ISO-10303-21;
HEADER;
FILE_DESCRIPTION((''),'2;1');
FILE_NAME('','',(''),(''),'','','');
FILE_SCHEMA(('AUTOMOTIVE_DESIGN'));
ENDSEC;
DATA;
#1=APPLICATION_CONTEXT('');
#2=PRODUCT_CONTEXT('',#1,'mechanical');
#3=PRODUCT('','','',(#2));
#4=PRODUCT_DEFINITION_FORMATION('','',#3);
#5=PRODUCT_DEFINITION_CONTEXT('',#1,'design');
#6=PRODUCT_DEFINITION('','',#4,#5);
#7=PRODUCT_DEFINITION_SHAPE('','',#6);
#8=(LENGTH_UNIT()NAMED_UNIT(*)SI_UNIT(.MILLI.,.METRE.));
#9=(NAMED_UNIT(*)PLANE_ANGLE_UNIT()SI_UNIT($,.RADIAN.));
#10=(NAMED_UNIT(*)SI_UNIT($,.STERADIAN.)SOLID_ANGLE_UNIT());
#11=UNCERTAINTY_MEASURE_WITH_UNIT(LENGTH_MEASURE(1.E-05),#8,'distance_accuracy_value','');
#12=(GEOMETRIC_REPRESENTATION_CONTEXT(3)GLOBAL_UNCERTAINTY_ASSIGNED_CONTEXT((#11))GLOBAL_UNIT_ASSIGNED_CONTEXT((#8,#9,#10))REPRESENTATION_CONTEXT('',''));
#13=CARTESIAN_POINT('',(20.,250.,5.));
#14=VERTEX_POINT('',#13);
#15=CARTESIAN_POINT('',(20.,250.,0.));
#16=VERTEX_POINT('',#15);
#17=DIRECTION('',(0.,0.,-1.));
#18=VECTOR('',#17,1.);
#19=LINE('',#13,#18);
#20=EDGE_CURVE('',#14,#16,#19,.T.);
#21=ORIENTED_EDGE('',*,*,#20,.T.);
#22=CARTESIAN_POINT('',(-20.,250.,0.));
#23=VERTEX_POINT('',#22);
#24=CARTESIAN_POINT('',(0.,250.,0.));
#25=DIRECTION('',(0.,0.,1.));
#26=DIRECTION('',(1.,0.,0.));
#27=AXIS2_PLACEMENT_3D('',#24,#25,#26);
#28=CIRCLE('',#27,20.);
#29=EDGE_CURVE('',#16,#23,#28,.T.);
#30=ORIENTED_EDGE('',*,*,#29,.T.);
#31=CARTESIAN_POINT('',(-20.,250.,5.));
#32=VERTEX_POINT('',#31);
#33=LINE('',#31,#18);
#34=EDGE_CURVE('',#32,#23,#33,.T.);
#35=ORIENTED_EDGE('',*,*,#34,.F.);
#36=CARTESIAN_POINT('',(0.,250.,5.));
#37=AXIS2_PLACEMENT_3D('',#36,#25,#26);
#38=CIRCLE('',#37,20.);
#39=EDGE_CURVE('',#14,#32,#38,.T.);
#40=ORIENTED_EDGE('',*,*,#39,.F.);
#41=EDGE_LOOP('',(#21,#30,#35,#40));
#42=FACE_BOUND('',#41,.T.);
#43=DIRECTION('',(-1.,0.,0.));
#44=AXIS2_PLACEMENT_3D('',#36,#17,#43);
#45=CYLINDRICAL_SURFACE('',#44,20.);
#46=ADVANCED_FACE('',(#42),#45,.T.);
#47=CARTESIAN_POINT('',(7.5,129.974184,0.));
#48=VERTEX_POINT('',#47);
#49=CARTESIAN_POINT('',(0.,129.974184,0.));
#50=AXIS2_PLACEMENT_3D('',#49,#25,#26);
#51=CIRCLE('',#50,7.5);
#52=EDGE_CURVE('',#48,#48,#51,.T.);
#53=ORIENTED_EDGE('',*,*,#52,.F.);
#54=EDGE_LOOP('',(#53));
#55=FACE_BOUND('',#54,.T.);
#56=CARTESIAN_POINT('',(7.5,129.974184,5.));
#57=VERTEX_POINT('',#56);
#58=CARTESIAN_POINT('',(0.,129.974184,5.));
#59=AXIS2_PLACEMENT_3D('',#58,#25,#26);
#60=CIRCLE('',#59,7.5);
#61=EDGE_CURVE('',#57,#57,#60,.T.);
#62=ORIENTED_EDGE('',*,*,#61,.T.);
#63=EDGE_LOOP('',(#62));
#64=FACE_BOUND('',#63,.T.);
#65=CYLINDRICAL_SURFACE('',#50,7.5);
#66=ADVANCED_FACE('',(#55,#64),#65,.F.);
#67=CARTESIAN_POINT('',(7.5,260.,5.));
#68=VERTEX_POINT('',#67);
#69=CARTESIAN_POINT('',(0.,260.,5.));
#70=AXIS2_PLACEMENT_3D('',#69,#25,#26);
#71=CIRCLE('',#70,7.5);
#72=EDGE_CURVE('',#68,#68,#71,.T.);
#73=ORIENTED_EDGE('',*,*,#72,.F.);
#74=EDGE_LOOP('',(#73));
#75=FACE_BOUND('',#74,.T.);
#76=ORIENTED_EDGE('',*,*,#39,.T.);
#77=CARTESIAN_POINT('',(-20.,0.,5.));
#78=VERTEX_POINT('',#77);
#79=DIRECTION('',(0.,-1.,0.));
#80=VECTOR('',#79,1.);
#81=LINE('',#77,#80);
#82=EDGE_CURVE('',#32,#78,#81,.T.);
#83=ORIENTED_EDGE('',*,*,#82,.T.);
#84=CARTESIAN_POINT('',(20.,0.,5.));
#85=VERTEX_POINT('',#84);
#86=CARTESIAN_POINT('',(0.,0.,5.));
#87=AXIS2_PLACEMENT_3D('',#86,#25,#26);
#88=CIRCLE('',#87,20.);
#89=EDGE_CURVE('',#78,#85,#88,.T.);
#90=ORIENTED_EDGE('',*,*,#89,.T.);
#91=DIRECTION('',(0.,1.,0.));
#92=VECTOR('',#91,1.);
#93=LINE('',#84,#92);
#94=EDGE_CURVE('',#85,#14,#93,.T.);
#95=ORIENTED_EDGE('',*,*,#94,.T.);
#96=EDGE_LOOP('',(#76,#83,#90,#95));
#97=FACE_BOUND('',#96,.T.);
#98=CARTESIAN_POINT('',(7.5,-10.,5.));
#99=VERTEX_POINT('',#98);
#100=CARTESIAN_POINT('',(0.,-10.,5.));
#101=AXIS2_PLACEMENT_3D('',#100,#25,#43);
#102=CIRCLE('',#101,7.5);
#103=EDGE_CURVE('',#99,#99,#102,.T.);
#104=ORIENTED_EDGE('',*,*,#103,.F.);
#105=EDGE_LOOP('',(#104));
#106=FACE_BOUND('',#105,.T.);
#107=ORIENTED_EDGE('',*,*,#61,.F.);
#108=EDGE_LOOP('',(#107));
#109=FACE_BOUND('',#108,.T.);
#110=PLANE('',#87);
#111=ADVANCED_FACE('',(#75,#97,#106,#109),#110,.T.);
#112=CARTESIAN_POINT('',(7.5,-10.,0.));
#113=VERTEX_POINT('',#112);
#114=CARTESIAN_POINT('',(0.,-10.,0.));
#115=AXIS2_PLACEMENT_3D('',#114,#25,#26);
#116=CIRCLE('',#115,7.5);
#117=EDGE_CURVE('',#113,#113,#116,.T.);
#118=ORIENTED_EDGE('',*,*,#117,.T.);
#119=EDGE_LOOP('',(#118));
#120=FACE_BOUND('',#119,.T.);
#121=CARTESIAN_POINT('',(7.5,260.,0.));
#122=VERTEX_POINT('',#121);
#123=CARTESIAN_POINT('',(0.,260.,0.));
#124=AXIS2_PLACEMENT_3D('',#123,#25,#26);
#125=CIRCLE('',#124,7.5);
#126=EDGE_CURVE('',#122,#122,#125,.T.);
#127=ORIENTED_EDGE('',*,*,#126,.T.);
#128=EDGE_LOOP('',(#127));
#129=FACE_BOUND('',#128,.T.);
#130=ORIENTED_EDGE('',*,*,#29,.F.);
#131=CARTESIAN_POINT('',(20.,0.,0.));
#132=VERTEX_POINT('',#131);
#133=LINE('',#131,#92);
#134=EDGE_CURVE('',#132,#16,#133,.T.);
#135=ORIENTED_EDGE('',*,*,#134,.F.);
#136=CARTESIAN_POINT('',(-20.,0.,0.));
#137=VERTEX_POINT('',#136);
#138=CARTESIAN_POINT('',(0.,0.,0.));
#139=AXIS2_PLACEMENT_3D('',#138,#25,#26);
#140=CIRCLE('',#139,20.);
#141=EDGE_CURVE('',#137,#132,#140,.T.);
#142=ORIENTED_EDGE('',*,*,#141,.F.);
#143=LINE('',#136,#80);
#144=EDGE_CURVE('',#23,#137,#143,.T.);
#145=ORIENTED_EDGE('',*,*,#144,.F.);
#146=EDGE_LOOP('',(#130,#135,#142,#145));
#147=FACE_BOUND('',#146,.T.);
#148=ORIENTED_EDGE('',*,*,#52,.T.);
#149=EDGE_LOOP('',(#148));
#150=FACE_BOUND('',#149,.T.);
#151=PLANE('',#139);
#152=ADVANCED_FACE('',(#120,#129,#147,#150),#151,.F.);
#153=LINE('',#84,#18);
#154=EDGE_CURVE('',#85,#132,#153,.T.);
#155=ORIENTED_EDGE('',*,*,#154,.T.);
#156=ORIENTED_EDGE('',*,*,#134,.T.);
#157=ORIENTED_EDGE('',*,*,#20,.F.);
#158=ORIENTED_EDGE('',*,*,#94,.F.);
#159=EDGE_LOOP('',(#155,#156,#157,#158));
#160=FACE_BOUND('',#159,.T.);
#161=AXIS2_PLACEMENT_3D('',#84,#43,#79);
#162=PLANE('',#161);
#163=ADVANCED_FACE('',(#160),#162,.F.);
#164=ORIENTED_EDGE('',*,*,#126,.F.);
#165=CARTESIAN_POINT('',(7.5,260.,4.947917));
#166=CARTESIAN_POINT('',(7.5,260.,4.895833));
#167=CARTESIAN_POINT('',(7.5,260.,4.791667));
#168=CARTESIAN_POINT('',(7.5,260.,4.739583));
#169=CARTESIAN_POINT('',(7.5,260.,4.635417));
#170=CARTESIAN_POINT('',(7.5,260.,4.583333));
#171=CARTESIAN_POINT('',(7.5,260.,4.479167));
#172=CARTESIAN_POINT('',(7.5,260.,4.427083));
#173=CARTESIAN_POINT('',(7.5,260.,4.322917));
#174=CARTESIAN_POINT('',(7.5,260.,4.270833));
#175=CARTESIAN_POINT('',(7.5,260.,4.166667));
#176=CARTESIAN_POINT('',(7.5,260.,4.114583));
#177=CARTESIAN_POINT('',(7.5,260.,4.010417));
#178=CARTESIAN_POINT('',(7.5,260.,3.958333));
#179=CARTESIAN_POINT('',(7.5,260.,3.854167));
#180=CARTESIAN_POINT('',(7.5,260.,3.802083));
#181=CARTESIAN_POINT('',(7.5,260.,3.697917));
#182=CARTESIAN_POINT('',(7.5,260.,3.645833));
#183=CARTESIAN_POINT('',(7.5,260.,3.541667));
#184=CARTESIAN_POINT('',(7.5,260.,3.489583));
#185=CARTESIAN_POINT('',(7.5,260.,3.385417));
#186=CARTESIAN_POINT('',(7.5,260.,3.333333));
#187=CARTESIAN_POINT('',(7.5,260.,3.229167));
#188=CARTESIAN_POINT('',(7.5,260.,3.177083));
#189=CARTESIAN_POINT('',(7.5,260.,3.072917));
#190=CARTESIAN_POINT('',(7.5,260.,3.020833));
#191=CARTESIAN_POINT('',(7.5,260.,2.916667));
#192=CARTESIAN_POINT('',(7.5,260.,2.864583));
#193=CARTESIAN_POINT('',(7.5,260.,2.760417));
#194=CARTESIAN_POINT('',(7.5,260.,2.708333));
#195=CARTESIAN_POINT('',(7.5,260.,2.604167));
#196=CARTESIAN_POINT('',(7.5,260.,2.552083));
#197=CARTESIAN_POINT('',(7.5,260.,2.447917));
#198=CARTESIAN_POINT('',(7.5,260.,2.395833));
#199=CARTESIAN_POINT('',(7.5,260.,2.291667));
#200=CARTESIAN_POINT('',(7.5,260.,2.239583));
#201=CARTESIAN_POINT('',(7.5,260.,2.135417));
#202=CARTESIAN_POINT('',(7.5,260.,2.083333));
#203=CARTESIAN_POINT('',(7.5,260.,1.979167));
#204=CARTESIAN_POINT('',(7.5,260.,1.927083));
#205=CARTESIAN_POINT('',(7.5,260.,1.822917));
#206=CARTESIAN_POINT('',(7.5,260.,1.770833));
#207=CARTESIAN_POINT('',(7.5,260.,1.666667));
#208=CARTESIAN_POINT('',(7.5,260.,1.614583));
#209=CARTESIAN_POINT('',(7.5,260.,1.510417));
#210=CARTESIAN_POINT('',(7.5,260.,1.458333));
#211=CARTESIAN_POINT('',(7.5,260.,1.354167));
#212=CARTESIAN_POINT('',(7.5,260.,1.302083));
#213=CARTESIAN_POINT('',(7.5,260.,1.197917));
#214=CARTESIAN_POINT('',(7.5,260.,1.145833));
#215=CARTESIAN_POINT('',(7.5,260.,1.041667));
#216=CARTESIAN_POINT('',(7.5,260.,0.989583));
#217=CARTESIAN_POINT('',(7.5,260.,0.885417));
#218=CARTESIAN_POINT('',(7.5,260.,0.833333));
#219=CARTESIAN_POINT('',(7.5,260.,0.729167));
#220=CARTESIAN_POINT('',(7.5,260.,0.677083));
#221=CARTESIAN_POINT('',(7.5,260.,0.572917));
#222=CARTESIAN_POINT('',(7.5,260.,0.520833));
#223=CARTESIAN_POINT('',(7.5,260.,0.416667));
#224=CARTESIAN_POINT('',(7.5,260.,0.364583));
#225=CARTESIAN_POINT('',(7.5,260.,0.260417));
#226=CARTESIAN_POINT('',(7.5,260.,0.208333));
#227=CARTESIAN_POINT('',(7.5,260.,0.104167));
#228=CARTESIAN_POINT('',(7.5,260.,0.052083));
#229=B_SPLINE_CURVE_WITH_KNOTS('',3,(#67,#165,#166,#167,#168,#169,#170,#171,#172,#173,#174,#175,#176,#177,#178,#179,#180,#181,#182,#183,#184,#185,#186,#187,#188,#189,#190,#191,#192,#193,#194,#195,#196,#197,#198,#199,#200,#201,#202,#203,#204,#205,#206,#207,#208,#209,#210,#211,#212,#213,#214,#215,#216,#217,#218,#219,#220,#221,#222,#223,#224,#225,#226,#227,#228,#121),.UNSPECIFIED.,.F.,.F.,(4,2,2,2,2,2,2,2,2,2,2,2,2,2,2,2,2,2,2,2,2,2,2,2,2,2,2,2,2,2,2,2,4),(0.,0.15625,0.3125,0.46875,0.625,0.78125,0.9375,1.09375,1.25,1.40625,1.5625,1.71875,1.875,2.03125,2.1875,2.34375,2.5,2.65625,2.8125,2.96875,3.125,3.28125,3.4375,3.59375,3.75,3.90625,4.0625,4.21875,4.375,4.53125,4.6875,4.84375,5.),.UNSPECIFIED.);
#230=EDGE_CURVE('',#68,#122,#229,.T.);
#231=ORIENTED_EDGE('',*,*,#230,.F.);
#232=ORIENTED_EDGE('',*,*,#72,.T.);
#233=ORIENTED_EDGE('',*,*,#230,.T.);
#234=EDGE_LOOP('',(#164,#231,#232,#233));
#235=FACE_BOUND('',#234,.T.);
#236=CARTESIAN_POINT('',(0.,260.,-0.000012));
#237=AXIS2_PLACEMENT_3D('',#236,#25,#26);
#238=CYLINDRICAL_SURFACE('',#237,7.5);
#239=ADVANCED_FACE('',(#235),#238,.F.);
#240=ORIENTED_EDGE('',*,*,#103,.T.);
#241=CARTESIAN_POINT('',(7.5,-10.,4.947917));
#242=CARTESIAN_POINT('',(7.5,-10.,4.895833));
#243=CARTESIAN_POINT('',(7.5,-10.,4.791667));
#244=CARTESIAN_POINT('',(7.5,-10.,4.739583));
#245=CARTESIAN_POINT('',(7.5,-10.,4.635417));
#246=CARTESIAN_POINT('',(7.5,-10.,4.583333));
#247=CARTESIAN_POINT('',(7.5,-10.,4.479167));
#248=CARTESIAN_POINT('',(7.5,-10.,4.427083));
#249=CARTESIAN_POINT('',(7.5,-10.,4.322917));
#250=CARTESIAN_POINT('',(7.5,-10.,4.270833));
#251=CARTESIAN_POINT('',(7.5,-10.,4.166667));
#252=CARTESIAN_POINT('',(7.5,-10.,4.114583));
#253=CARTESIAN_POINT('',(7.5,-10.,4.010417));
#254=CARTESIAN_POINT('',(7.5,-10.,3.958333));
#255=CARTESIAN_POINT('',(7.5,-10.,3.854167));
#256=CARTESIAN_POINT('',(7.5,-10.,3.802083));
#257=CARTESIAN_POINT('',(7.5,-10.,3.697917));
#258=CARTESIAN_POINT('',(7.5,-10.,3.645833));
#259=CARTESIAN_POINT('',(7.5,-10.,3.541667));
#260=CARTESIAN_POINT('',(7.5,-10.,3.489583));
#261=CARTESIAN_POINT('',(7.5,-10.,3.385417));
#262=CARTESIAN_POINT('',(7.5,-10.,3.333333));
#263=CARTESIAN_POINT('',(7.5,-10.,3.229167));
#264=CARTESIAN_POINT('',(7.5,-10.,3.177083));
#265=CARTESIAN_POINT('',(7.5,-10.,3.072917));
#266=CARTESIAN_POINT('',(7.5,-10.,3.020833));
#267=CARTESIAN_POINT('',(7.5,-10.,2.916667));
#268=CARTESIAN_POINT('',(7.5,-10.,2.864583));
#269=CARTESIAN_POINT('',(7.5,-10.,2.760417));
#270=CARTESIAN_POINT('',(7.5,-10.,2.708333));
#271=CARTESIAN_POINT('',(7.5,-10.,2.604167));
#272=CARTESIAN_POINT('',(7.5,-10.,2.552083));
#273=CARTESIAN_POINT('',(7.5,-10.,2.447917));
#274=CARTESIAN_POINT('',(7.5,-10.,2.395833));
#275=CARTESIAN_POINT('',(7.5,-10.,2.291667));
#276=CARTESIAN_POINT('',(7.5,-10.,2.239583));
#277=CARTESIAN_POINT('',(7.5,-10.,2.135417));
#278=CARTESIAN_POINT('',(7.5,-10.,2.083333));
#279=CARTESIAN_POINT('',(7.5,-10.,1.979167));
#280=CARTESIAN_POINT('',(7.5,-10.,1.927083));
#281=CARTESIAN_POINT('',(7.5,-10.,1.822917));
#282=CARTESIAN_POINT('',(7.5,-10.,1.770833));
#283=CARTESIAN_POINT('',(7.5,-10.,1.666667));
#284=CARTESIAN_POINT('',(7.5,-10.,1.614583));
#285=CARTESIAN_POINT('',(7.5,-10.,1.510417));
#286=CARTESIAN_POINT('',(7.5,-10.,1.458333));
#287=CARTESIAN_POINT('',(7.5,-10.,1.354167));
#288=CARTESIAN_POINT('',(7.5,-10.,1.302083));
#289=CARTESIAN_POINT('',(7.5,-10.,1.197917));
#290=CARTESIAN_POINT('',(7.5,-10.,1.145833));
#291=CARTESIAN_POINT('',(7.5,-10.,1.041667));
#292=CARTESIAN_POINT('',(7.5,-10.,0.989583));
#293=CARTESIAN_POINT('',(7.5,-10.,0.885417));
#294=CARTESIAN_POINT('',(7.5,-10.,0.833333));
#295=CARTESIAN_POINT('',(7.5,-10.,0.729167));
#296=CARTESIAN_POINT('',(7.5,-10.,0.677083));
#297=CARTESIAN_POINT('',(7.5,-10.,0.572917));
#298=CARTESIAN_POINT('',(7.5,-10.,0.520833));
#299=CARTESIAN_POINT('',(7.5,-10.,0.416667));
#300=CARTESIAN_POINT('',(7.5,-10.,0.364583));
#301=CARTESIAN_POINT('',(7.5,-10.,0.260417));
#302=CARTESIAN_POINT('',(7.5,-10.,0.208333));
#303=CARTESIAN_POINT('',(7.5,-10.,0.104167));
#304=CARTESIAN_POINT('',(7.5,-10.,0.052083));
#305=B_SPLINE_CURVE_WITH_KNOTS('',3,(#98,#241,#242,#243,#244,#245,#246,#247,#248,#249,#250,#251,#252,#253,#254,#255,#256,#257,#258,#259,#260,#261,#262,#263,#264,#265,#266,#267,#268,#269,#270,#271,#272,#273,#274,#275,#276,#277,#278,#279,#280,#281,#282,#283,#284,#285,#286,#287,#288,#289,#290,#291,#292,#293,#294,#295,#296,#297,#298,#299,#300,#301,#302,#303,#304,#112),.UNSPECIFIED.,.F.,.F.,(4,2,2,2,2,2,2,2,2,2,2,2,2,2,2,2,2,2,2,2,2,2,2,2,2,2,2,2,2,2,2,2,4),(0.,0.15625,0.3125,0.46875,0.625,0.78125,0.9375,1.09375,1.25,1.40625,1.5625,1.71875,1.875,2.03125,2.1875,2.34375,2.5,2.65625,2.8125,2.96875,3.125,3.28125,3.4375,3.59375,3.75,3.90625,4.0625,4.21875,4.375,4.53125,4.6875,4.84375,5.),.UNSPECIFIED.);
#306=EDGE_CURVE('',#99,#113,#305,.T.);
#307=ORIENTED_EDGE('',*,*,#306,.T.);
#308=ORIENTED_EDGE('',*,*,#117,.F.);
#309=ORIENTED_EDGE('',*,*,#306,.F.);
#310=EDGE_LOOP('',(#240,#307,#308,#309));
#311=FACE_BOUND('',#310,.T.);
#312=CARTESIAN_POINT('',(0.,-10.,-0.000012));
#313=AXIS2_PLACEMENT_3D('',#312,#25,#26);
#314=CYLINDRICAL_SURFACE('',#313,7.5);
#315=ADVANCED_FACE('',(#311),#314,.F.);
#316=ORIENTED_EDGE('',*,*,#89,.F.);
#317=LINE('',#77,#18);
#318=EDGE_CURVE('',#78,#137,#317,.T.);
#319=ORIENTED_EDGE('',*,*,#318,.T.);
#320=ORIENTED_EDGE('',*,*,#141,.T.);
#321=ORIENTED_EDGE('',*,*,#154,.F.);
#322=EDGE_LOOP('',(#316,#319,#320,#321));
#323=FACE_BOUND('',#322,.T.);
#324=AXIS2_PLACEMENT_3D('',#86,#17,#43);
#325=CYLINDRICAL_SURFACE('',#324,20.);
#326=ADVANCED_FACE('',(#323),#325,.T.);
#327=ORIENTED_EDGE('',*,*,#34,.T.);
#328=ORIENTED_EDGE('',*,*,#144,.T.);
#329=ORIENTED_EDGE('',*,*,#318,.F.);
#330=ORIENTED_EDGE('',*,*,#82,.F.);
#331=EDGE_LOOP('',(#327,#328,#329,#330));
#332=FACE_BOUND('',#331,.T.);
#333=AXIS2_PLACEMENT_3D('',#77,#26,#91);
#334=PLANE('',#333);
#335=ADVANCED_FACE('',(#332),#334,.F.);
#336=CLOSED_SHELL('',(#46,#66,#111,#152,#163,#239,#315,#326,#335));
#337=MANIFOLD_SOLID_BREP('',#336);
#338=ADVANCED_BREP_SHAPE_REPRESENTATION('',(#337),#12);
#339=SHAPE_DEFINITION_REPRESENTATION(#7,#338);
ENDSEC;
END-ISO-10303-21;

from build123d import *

# Parameters (mm, degrees)
BOSS_EXTRUDE1_DEPTH     = 5
CUT_EXTRUDE4_DEPTH      = 271.785893281
CUT_EXTRUDE4_DEPTH_BACK = 271.785893281
SKETCH3_R               = 7.5
CUT_EXTRUDE5_DEPTH      = 271.785893281
CUT_EXTRUDE5_DEPTH_BACK = 271.785893281
SKETCH5_R               = 7.5


with BuildPart() as part:
    # Sketch1 → Boss-Extrude1 (new body)
    with BuildSketch(Plane.XY):
        with BuildLine():
            Line((-20, 0), (-20, 250))
            ThreePointArc((-20, 250), (0, 270), (20, 250))
            Line((20, 250), (20, 0))
            ThreePointArc((20, 0), (0, -20), (-20, 0))
        make_face()
    extrude(amount=BOSS_EXTRUDE1_DEPTH)

    # Sketch3 → Cut-Extrude4 (cut, two sides: drawn at the far end of the back side and taken through both)
    with BuildSketch(Plane.XY.offset(-CUT_EXTRUDE4_DEPTH_BACK)):
        with Locations((0, 260)):
            Circle(SKETCH3_R)
        with Locations((0, -10)):
            Circle(SKETCH3_R)
    extrude(amount=CUT_EXTRUDE4_DEPTH + CUT_EXTRUDE4_DEPTH_BACK, mode=Mode.SUBTRACT)

    # Sketch5 → Cut-Extrude5 (cut, two sides: drawn at the far end of the back side and taken through both)
    with BuildSketch(Plane.XY.offset(5).offset(-CUT_EXTRUDE5_DEPTH_BACK)):
        with Locations((0, 129.974184192)):
            Circle(SKETCH5_R)
    extrude(amount=CUT_EXTRUDE5_DEPTH + CUT_EXTRUDE5_DEPTH_BACK, mode=Mode.SUBTRACT)


solid = part.part
